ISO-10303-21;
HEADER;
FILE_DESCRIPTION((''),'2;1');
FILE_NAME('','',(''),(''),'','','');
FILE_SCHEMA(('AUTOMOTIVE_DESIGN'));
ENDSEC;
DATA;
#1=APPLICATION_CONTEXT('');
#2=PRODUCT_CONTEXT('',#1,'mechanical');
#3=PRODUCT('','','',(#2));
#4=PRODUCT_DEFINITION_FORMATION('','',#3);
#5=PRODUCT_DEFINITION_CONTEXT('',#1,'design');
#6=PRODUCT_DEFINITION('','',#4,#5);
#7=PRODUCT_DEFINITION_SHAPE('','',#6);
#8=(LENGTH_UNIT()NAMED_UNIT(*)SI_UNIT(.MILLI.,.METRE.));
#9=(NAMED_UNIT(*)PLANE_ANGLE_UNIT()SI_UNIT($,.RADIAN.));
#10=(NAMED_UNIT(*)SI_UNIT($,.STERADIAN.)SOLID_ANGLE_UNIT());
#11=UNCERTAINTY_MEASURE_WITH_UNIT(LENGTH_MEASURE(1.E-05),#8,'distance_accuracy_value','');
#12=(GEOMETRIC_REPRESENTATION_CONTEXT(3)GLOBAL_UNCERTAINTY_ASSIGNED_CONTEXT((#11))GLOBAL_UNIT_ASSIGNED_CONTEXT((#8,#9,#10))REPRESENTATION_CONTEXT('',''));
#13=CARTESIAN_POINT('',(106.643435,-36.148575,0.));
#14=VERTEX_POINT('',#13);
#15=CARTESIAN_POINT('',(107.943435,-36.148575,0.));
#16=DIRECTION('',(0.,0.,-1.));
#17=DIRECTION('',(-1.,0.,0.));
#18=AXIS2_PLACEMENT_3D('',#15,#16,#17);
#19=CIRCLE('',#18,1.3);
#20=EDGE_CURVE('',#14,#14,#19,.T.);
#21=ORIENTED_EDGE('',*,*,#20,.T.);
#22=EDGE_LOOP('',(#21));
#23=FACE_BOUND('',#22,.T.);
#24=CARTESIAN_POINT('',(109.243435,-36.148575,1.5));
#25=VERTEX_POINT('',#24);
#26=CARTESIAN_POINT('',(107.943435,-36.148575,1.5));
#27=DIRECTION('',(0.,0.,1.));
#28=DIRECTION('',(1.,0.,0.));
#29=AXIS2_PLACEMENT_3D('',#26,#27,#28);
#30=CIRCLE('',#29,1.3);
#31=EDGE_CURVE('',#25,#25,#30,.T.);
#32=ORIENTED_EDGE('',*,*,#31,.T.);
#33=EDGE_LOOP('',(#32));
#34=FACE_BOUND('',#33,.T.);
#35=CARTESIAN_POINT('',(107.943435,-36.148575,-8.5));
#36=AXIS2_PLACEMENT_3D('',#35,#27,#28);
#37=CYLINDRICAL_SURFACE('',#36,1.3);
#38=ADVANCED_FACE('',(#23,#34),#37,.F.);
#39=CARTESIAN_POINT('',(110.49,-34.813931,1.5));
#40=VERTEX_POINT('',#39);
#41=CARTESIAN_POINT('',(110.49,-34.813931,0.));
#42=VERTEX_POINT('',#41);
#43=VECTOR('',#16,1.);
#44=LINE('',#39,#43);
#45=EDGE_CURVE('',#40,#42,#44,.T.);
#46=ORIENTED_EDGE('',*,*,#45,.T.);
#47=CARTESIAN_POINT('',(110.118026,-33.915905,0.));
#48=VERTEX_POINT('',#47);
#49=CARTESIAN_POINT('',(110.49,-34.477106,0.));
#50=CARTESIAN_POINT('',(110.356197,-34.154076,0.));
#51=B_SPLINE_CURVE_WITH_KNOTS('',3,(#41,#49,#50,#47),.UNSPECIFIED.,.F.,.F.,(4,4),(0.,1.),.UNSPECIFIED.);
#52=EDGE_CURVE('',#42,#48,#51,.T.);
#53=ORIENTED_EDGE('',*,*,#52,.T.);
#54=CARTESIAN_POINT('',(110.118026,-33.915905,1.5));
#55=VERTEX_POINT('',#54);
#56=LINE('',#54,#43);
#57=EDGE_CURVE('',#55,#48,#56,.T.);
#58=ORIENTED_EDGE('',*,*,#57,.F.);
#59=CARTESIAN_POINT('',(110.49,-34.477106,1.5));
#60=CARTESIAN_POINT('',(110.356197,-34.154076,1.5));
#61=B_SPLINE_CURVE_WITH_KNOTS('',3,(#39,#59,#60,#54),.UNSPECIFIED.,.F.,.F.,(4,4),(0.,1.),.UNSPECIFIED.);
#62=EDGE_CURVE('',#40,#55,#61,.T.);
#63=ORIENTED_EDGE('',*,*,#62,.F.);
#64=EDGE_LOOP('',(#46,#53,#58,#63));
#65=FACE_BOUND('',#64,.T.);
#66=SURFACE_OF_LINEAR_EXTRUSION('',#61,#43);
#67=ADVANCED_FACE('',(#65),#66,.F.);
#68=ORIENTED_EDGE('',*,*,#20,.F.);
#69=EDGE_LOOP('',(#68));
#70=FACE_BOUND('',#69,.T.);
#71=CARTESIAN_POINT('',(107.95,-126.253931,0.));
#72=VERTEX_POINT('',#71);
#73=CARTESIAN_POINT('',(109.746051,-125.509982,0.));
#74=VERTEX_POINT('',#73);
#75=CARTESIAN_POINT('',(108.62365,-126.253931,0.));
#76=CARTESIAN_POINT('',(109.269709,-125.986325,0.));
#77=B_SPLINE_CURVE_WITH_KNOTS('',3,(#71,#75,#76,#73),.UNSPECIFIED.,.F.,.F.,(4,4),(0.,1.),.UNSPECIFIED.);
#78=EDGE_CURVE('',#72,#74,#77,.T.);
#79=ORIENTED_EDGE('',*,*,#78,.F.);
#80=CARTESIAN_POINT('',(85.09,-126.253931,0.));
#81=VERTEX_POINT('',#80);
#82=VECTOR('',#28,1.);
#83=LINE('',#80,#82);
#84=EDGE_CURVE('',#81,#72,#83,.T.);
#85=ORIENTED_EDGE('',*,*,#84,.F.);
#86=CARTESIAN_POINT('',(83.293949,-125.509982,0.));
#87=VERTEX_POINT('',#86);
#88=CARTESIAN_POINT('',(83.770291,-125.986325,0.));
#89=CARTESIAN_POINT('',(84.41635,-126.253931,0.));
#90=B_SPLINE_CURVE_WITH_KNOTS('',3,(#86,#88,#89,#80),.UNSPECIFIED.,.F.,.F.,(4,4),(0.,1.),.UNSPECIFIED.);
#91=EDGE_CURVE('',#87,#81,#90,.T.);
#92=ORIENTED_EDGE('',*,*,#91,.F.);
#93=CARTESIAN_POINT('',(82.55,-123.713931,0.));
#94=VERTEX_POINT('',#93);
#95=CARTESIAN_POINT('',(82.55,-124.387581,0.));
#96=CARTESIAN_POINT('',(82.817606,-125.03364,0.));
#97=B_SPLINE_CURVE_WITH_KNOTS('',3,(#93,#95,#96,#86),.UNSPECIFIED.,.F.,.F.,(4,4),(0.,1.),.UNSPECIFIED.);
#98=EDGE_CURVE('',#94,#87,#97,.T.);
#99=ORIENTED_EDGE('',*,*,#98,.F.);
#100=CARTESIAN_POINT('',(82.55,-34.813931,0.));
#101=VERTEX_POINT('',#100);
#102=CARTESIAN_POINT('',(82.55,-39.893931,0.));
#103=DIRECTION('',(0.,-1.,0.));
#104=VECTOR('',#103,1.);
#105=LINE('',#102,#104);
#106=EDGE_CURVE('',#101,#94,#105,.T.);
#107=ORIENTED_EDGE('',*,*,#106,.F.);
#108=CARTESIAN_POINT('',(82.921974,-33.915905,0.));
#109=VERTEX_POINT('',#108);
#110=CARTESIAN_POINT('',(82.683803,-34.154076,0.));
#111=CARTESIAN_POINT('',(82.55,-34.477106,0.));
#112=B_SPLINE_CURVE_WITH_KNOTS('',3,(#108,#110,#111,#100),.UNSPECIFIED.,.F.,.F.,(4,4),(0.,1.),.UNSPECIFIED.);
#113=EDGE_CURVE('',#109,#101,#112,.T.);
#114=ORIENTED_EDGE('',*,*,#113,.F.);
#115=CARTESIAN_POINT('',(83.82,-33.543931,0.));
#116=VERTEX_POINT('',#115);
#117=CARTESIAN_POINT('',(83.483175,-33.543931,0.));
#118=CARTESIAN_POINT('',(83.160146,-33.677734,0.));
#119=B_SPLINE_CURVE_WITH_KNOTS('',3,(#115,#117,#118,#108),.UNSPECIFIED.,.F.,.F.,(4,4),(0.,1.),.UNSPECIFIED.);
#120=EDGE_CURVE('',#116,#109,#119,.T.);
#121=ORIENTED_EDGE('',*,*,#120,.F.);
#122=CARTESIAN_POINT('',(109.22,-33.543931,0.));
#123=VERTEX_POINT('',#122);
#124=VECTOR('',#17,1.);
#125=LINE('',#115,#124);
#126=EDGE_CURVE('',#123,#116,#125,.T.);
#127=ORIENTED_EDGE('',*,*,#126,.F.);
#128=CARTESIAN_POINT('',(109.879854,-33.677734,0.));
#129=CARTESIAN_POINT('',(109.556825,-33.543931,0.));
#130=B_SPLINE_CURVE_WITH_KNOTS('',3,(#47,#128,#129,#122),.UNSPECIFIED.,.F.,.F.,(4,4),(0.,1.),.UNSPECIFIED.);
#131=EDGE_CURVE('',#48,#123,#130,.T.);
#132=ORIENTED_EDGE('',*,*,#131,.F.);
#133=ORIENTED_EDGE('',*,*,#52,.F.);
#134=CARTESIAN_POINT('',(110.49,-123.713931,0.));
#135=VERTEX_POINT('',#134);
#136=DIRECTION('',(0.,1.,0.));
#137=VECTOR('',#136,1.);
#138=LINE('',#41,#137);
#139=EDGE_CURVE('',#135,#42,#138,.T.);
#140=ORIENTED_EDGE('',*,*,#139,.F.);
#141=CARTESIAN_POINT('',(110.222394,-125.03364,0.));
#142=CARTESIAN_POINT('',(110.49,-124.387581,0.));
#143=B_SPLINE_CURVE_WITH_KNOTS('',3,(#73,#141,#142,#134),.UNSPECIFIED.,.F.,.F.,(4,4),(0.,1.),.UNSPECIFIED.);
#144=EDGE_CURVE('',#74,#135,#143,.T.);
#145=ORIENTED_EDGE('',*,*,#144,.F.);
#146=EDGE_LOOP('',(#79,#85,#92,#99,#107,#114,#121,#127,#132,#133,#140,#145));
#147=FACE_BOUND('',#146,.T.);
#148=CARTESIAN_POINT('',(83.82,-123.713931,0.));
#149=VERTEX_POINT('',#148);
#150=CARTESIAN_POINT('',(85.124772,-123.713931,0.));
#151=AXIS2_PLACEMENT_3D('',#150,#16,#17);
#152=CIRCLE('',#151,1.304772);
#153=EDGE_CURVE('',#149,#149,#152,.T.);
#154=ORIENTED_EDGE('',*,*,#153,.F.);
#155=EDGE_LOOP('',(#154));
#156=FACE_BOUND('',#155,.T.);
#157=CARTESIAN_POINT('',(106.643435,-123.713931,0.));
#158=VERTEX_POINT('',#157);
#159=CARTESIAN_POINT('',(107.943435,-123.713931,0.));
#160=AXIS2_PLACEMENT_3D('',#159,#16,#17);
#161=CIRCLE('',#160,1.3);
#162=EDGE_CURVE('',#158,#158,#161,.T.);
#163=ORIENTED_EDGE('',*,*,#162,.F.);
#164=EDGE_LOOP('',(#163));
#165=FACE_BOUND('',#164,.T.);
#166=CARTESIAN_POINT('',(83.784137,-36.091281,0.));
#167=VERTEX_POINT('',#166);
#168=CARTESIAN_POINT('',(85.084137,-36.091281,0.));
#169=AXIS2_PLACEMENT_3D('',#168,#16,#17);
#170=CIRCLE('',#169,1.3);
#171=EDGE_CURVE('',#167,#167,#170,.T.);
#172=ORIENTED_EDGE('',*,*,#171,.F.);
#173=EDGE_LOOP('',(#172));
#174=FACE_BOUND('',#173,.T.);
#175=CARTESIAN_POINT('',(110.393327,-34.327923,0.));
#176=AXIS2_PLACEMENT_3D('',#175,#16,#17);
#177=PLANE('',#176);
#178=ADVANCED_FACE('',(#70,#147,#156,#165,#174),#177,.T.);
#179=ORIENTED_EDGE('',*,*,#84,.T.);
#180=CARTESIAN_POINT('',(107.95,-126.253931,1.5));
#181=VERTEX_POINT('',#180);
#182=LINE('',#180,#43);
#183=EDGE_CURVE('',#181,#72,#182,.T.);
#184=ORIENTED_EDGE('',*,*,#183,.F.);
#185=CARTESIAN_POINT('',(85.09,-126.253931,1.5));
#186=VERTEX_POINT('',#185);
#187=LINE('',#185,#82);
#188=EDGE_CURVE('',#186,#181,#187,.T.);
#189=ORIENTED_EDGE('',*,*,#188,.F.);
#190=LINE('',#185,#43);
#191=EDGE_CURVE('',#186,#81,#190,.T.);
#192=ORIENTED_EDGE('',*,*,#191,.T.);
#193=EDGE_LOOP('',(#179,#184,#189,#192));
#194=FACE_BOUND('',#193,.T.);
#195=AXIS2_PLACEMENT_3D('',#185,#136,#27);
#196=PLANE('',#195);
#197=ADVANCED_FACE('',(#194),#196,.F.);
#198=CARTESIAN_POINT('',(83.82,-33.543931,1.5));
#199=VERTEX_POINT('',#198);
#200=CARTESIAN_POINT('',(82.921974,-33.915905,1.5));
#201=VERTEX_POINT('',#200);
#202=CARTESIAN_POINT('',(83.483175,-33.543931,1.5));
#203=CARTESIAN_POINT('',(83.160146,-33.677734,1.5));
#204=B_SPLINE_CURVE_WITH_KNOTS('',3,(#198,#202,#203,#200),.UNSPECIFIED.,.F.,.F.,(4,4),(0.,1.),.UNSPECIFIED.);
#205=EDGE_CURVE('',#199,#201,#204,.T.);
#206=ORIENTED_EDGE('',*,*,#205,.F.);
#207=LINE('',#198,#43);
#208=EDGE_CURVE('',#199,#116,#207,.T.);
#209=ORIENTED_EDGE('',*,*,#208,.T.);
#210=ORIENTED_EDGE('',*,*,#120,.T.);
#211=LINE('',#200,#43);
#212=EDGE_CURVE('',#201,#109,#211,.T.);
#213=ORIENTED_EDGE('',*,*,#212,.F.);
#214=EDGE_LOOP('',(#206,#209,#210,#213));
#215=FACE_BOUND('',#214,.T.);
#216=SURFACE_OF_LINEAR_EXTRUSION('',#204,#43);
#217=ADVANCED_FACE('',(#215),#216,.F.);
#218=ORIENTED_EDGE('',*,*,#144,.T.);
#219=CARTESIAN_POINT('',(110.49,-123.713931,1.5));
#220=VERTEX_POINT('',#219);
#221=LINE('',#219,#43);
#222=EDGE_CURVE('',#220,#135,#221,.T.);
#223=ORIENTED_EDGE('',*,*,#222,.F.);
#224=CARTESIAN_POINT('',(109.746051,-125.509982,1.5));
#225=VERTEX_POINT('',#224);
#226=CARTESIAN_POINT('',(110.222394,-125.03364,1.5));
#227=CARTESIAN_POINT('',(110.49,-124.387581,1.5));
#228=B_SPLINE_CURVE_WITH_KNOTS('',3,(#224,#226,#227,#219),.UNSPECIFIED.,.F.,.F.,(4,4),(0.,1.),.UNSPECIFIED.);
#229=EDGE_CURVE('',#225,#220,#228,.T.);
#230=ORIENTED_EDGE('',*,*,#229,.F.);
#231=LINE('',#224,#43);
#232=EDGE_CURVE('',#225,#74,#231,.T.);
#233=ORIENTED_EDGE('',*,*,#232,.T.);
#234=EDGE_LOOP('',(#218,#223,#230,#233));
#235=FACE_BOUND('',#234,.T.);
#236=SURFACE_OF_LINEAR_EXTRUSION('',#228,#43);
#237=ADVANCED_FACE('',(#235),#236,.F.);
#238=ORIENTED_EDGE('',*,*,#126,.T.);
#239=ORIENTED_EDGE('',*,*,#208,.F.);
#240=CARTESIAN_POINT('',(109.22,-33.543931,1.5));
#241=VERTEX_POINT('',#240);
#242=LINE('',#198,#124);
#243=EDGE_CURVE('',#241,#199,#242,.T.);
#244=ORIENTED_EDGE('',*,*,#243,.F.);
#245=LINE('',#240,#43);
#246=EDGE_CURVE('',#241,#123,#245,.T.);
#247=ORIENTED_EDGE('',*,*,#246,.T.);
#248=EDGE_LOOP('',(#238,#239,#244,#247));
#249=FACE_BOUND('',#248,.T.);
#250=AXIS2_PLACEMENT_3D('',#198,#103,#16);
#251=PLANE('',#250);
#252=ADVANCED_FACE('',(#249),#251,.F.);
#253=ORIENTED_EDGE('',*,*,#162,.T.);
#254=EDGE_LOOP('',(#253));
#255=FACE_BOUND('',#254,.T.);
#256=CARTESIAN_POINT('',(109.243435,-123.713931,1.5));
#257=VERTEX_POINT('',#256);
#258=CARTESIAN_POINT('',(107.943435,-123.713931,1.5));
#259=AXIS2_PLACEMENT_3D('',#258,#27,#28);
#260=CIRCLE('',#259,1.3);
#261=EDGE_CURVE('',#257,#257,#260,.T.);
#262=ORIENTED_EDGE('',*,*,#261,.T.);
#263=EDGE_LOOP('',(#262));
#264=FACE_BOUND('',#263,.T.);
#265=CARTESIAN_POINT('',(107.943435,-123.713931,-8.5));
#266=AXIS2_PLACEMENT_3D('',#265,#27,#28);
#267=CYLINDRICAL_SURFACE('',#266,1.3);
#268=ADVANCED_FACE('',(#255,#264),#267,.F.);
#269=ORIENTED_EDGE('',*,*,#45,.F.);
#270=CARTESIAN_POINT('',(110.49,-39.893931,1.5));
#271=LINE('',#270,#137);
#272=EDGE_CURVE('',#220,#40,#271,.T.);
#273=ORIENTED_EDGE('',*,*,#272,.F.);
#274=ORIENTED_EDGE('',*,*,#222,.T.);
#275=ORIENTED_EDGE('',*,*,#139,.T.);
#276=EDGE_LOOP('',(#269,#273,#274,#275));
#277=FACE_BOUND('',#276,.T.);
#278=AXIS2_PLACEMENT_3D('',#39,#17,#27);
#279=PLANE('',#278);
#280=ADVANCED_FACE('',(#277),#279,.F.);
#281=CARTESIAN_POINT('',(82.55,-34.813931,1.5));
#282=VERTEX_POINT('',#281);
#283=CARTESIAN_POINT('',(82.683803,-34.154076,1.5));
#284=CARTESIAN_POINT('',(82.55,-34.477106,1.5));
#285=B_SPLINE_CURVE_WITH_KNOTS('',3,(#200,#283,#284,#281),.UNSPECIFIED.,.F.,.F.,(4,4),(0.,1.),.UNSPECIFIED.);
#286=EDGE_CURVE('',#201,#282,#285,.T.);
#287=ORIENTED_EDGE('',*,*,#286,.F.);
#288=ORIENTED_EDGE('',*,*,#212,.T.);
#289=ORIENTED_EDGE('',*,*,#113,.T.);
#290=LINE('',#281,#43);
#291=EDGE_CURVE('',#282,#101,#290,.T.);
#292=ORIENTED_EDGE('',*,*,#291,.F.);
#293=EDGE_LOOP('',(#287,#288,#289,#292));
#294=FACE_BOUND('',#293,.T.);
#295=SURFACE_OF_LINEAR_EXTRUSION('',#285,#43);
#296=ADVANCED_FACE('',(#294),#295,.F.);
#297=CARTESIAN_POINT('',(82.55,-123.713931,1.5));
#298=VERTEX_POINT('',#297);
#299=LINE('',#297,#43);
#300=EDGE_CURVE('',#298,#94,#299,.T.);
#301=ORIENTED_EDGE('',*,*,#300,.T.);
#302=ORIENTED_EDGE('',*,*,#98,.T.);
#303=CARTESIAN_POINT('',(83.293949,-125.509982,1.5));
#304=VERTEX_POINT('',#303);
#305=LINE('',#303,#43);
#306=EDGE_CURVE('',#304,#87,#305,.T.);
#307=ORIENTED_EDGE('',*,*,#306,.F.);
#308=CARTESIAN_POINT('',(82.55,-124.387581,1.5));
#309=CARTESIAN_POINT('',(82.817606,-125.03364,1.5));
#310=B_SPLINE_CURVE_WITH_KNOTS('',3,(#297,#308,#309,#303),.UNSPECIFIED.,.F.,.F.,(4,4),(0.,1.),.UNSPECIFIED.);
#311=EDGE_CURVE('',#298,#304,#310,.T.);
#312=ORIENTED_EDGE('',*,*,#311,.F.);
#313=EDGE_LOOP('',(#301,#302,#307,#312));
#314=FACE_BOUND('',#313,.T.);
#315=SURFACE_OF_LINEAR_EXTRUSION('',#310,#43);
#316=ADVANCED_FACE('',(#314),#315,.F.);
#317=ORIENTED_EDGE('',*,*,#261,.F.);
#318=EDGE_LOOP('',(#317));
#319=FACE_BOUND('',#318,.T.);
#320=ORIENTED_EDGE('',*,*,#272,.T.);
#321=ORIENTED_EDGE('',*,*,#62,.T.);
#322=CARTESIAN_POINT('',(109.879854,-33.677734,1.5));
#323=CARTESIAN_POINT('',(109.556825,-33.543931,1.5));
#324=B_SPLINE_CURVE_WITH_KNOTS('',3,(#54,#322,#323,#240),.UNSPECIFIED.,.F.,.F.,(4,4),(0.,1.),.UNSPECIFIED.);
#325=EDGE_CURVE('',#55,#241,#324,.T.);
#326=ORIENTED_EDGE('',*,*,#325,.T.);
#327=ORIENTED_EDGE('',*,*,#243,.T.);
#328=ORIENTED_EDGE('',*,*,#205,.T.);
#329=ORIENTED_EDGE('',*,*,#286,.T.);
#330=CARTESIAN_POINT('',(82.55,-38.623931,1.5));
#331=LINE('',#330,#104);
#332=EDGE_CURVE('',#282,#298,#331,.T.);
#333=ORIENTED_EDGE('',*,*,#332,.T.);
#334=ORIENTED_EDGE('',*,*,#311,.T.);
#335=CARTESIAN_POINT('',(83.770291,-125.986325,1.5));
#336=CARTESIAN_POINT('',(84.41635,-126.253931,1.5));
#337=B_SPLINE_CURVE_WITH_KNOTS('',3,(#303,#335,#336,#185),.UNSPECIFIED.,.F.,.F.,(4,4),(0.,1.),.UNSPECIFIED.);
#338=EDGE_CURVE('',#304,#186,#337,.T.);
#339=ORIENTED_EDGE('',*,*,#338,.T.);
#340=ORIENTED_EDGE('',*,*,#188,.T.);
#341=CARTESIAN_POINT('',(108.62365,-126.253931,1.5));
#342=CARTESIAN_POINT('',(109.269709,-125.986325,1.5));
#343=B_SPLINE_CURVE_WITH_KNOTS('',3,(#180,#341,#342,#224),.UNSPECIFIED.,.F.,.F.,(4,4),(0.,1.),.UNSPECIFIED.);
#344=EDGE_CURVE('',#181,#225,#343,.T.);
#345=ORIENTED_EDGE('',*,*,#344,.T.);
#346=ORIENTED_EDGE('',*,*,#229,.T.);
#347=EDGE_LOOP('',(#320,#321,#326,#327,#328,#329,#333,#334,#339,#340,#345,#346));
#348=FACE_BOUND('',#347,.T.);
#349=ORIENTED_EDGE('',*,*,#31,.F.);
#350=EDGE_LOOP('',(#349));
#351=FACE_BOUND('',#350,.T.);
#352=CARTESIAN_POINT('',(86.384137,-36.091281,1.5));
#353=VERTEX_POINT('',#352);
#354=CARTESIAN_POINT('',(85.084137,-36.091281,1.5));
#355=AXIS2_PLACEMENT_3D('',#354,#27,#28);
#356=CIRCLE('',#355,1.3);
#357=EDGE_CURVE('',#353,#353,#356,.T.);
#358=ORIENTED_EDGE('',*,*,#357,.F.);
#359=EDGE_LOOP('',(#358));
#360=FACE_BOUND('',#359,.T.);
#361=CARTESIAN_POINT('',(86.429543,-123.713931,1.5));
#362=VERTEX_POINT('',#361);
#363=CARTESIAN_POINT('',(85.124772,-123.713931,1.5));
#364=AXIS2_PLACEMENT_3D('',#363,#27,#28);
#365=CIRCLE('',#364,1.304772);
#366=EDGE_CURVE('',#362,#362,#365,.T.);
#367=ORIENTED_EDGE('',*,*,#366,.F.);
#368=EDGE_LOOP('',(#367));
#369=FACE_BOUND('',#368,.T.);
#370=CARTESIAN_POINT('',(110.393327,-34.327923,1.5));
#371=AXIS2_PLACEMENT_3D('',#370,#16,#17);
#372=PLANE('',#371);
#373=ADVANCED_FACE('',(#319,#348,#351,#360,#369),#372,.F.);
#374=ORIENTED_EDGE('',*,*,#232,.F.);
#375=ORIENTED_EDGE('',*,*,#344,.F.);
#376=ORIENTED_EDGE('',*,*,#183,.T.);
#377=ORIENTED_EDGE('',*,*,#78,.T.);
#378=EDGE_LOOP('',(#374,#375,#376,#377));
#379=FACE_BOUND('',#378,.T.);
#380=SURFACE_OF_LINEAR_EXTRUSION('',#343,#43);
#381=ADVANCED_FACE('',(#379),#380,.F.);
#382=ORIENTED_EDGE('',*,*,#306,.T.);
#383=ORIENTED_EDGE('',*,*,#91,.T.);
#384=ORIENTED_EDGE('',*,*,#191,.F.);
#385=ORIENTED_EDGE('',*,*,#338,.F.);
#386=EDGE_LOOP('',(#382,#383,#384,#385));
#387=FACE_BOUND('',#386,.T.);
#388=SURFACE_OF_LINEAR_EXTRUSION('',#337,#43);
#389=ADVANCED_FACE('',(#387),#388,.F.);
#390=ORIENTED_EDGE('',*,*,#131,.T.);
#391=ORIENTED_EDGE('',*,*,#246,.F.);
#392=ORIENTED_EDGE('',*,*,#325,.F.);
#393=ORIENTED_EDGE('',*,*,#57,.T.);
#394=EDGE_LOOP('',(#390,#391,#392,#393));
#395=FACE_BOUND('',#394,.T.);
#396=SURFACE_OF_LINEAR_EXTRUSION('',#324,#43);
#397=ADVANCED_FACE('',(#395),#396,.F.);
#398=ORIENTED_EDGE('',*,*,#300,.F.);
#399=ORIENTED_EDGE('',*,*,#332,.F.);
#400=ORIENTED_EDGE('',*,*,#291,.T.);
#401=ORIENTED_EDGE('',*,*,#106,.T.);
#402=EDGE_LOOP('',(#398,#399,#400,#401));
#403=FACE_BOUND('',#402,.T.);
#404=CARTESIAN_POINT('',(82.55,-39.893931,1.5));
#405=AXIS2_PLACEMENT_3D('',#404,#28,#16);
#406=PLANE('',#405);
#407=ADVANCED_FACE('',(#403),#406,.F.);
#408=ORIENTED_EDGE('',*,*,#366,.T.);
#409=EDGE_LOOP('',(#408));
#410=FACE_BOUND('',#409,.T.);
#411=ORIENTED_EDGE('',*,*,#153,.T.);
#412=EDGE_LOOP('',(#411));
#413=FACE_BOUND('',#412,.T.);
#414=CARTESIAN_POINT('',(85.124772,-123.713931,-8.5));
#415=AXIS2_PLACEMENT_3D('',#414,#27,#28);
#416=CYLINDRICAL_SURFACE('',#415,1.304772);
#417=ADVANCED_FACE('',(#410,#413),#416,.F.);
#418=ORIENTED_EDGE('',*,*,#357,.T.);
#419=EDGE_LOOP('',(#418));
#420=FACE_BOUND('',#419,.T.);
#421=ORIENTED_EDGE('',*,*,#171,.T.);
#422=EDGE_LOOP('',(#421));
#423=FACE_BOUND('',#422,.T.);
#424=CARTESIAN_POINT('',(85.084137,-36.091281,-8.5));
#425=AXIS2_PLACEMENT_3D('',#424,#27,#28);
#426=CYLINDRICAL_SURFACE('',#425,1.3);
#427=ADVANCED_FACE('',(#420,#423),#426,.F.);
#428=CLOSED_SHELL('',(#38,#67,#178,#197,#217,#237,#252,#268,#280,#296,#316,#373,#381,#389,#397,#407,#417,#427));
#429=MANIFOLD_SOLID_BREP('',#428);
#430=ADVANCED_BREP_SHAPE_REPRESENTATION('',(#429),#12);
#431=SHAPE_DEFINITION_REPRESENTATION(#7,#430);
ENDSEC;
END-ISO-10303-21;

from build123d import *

# Parameters (mm, degrees)
BOSS_EXTRU_1_DEPTH      = 1.5
ESQUISSE2_R             = 1.304771715
ESQUISSE2_R_2           = 1.27
ENL_V_MAT_EXTRU_1_DEPTH = 10
ESQUISSE3_R             = 1.3
ENL_V_MAT_EXTRU_2_DEPTH = 10


with BuildPart() as part:
    # Model → Boss.-Extru.1 (new body)
    with BuildSketch(Plane.XY):
        with BuildLine():
            Line((110.49, -34.813931), (110.49, -38.623931))
            Line((110.49, -38.623931), (110.49, -39.893931))
            Line((110.49, -39.893931), (110.49, -123.713931))
            add(Edge.make_bspline(
                [(109.746051, -125.509982), (110.222394, -125.03364), (110.49, -124.387581), (110.49, -123.713931)],
                knots=[0, 0, 0, 0, 1, 1, 1, 1], degree=3))
            add(Edge.make_bspline(
                [(107.95, -126.253931), (108.62365, -126.253931), (109.269709, -125.986325), (109.746051, -125.509982)],
                knots=[0, 0, 0, 0, 1, 1, 1, 1], degree=3))
            Line((107.95, -126.253931), (85.09, -126.253931))
            add(Edge.make_bspline(
                [(83.293949, -125.509982), (83.770291, -125.986325), (84.41635, -126.253931), (85.09, -126.253931)],
                knots=[0, 0, 0, 0, 1, 1, 1, 1], degree=3))
            add(Edge.make_bspline(
                [(82.55, -123.713931), (82.55, -124.387581), (82.817606, -125.03364), (83.293949, -125.509982)],
                knots=[0, 0, 0, 0, 1, 1, 1, 1], degree=3))
            Line((82.55, -123.713931), (82.55, -39.893931))
            Line((82.55, -39.893931), (82.55, -38.623931))
            Line((82.55, -38.623931), (82.55, -34.813931))
            add(Edge.make_bspline(
                [(82.921974, -33.915905), (82.683803, -34.154076), (82.55, -34.477106), (82.55, -34.813931)],
                knots=[0, 0, 0, 0, 1, 1, 1, 1], degree=3))
            add(Edge.make_bspline(
                [(83.82, -33.543931), (83.483175, -33.543931), (83.160146, -33.677734), (82.921974, -33.915905)],
                knots=[0, 0, 0, 0, 1, 1, 1, 1], degree=3))
            Line((83.82, -33.543931), (109.22, -33.543931))
            add(Edge.make_bspline(
                [(110.118026, -33.915905), (109.879854, -33.677734), (109.556825, -33.543931), (109.22, -33.543931)],
                knots=[0, 0, 0, 0, 1, 1, 1, 1], degree=3))
            add(Edge.make_bspline(
                [(110.49, -34.813931), (110.49, -34.477106), (110.356197, -34.154076), (110.118026, -33.915905)],
                knots=[0, 0, 0, 0, 1, 1, 1, 1], degree=3))
        make_face()
    extrude(amount=BOSS_EXTRU_1_DEPTH)

    # Esquisse2 → Enlèv. mat.-Extru.1 (cut)
    with BuildSketch(Plane.XY.offset(1.5)):
        with Locations((85.124771715, -123.713931)):
            Circle(ESQUISSE2_R)
        with Locations((122.913557923, -132.317690326)):
            Circle(ESQUISSE2_R_2)
    extrude(amount=-ENL_V_MAT_EXTRU_1_DEPTH, mode=Mode.SUBTRACT)

    # Esquisse3 → Enlèv. mat.-Extru.2 (cut)
    with BuildSketch(Plane.XY.offset(1.5)):
        with Locations((107.943434753, -36.148574536)):
            Circle(ESQUISSE3_R)
        with Locations((85.084137325, -36.091280874)):
            Circle(ESQUISSE3_R)
        with Locations((107.943434753, -123.713931)):
            Circle(ESQUISSE3_R)
    extrude(amount=-ENL_V_MAT_EXTRU_2_DEPTH, mode=Mode.SUBTRACT)


solid = part.part
